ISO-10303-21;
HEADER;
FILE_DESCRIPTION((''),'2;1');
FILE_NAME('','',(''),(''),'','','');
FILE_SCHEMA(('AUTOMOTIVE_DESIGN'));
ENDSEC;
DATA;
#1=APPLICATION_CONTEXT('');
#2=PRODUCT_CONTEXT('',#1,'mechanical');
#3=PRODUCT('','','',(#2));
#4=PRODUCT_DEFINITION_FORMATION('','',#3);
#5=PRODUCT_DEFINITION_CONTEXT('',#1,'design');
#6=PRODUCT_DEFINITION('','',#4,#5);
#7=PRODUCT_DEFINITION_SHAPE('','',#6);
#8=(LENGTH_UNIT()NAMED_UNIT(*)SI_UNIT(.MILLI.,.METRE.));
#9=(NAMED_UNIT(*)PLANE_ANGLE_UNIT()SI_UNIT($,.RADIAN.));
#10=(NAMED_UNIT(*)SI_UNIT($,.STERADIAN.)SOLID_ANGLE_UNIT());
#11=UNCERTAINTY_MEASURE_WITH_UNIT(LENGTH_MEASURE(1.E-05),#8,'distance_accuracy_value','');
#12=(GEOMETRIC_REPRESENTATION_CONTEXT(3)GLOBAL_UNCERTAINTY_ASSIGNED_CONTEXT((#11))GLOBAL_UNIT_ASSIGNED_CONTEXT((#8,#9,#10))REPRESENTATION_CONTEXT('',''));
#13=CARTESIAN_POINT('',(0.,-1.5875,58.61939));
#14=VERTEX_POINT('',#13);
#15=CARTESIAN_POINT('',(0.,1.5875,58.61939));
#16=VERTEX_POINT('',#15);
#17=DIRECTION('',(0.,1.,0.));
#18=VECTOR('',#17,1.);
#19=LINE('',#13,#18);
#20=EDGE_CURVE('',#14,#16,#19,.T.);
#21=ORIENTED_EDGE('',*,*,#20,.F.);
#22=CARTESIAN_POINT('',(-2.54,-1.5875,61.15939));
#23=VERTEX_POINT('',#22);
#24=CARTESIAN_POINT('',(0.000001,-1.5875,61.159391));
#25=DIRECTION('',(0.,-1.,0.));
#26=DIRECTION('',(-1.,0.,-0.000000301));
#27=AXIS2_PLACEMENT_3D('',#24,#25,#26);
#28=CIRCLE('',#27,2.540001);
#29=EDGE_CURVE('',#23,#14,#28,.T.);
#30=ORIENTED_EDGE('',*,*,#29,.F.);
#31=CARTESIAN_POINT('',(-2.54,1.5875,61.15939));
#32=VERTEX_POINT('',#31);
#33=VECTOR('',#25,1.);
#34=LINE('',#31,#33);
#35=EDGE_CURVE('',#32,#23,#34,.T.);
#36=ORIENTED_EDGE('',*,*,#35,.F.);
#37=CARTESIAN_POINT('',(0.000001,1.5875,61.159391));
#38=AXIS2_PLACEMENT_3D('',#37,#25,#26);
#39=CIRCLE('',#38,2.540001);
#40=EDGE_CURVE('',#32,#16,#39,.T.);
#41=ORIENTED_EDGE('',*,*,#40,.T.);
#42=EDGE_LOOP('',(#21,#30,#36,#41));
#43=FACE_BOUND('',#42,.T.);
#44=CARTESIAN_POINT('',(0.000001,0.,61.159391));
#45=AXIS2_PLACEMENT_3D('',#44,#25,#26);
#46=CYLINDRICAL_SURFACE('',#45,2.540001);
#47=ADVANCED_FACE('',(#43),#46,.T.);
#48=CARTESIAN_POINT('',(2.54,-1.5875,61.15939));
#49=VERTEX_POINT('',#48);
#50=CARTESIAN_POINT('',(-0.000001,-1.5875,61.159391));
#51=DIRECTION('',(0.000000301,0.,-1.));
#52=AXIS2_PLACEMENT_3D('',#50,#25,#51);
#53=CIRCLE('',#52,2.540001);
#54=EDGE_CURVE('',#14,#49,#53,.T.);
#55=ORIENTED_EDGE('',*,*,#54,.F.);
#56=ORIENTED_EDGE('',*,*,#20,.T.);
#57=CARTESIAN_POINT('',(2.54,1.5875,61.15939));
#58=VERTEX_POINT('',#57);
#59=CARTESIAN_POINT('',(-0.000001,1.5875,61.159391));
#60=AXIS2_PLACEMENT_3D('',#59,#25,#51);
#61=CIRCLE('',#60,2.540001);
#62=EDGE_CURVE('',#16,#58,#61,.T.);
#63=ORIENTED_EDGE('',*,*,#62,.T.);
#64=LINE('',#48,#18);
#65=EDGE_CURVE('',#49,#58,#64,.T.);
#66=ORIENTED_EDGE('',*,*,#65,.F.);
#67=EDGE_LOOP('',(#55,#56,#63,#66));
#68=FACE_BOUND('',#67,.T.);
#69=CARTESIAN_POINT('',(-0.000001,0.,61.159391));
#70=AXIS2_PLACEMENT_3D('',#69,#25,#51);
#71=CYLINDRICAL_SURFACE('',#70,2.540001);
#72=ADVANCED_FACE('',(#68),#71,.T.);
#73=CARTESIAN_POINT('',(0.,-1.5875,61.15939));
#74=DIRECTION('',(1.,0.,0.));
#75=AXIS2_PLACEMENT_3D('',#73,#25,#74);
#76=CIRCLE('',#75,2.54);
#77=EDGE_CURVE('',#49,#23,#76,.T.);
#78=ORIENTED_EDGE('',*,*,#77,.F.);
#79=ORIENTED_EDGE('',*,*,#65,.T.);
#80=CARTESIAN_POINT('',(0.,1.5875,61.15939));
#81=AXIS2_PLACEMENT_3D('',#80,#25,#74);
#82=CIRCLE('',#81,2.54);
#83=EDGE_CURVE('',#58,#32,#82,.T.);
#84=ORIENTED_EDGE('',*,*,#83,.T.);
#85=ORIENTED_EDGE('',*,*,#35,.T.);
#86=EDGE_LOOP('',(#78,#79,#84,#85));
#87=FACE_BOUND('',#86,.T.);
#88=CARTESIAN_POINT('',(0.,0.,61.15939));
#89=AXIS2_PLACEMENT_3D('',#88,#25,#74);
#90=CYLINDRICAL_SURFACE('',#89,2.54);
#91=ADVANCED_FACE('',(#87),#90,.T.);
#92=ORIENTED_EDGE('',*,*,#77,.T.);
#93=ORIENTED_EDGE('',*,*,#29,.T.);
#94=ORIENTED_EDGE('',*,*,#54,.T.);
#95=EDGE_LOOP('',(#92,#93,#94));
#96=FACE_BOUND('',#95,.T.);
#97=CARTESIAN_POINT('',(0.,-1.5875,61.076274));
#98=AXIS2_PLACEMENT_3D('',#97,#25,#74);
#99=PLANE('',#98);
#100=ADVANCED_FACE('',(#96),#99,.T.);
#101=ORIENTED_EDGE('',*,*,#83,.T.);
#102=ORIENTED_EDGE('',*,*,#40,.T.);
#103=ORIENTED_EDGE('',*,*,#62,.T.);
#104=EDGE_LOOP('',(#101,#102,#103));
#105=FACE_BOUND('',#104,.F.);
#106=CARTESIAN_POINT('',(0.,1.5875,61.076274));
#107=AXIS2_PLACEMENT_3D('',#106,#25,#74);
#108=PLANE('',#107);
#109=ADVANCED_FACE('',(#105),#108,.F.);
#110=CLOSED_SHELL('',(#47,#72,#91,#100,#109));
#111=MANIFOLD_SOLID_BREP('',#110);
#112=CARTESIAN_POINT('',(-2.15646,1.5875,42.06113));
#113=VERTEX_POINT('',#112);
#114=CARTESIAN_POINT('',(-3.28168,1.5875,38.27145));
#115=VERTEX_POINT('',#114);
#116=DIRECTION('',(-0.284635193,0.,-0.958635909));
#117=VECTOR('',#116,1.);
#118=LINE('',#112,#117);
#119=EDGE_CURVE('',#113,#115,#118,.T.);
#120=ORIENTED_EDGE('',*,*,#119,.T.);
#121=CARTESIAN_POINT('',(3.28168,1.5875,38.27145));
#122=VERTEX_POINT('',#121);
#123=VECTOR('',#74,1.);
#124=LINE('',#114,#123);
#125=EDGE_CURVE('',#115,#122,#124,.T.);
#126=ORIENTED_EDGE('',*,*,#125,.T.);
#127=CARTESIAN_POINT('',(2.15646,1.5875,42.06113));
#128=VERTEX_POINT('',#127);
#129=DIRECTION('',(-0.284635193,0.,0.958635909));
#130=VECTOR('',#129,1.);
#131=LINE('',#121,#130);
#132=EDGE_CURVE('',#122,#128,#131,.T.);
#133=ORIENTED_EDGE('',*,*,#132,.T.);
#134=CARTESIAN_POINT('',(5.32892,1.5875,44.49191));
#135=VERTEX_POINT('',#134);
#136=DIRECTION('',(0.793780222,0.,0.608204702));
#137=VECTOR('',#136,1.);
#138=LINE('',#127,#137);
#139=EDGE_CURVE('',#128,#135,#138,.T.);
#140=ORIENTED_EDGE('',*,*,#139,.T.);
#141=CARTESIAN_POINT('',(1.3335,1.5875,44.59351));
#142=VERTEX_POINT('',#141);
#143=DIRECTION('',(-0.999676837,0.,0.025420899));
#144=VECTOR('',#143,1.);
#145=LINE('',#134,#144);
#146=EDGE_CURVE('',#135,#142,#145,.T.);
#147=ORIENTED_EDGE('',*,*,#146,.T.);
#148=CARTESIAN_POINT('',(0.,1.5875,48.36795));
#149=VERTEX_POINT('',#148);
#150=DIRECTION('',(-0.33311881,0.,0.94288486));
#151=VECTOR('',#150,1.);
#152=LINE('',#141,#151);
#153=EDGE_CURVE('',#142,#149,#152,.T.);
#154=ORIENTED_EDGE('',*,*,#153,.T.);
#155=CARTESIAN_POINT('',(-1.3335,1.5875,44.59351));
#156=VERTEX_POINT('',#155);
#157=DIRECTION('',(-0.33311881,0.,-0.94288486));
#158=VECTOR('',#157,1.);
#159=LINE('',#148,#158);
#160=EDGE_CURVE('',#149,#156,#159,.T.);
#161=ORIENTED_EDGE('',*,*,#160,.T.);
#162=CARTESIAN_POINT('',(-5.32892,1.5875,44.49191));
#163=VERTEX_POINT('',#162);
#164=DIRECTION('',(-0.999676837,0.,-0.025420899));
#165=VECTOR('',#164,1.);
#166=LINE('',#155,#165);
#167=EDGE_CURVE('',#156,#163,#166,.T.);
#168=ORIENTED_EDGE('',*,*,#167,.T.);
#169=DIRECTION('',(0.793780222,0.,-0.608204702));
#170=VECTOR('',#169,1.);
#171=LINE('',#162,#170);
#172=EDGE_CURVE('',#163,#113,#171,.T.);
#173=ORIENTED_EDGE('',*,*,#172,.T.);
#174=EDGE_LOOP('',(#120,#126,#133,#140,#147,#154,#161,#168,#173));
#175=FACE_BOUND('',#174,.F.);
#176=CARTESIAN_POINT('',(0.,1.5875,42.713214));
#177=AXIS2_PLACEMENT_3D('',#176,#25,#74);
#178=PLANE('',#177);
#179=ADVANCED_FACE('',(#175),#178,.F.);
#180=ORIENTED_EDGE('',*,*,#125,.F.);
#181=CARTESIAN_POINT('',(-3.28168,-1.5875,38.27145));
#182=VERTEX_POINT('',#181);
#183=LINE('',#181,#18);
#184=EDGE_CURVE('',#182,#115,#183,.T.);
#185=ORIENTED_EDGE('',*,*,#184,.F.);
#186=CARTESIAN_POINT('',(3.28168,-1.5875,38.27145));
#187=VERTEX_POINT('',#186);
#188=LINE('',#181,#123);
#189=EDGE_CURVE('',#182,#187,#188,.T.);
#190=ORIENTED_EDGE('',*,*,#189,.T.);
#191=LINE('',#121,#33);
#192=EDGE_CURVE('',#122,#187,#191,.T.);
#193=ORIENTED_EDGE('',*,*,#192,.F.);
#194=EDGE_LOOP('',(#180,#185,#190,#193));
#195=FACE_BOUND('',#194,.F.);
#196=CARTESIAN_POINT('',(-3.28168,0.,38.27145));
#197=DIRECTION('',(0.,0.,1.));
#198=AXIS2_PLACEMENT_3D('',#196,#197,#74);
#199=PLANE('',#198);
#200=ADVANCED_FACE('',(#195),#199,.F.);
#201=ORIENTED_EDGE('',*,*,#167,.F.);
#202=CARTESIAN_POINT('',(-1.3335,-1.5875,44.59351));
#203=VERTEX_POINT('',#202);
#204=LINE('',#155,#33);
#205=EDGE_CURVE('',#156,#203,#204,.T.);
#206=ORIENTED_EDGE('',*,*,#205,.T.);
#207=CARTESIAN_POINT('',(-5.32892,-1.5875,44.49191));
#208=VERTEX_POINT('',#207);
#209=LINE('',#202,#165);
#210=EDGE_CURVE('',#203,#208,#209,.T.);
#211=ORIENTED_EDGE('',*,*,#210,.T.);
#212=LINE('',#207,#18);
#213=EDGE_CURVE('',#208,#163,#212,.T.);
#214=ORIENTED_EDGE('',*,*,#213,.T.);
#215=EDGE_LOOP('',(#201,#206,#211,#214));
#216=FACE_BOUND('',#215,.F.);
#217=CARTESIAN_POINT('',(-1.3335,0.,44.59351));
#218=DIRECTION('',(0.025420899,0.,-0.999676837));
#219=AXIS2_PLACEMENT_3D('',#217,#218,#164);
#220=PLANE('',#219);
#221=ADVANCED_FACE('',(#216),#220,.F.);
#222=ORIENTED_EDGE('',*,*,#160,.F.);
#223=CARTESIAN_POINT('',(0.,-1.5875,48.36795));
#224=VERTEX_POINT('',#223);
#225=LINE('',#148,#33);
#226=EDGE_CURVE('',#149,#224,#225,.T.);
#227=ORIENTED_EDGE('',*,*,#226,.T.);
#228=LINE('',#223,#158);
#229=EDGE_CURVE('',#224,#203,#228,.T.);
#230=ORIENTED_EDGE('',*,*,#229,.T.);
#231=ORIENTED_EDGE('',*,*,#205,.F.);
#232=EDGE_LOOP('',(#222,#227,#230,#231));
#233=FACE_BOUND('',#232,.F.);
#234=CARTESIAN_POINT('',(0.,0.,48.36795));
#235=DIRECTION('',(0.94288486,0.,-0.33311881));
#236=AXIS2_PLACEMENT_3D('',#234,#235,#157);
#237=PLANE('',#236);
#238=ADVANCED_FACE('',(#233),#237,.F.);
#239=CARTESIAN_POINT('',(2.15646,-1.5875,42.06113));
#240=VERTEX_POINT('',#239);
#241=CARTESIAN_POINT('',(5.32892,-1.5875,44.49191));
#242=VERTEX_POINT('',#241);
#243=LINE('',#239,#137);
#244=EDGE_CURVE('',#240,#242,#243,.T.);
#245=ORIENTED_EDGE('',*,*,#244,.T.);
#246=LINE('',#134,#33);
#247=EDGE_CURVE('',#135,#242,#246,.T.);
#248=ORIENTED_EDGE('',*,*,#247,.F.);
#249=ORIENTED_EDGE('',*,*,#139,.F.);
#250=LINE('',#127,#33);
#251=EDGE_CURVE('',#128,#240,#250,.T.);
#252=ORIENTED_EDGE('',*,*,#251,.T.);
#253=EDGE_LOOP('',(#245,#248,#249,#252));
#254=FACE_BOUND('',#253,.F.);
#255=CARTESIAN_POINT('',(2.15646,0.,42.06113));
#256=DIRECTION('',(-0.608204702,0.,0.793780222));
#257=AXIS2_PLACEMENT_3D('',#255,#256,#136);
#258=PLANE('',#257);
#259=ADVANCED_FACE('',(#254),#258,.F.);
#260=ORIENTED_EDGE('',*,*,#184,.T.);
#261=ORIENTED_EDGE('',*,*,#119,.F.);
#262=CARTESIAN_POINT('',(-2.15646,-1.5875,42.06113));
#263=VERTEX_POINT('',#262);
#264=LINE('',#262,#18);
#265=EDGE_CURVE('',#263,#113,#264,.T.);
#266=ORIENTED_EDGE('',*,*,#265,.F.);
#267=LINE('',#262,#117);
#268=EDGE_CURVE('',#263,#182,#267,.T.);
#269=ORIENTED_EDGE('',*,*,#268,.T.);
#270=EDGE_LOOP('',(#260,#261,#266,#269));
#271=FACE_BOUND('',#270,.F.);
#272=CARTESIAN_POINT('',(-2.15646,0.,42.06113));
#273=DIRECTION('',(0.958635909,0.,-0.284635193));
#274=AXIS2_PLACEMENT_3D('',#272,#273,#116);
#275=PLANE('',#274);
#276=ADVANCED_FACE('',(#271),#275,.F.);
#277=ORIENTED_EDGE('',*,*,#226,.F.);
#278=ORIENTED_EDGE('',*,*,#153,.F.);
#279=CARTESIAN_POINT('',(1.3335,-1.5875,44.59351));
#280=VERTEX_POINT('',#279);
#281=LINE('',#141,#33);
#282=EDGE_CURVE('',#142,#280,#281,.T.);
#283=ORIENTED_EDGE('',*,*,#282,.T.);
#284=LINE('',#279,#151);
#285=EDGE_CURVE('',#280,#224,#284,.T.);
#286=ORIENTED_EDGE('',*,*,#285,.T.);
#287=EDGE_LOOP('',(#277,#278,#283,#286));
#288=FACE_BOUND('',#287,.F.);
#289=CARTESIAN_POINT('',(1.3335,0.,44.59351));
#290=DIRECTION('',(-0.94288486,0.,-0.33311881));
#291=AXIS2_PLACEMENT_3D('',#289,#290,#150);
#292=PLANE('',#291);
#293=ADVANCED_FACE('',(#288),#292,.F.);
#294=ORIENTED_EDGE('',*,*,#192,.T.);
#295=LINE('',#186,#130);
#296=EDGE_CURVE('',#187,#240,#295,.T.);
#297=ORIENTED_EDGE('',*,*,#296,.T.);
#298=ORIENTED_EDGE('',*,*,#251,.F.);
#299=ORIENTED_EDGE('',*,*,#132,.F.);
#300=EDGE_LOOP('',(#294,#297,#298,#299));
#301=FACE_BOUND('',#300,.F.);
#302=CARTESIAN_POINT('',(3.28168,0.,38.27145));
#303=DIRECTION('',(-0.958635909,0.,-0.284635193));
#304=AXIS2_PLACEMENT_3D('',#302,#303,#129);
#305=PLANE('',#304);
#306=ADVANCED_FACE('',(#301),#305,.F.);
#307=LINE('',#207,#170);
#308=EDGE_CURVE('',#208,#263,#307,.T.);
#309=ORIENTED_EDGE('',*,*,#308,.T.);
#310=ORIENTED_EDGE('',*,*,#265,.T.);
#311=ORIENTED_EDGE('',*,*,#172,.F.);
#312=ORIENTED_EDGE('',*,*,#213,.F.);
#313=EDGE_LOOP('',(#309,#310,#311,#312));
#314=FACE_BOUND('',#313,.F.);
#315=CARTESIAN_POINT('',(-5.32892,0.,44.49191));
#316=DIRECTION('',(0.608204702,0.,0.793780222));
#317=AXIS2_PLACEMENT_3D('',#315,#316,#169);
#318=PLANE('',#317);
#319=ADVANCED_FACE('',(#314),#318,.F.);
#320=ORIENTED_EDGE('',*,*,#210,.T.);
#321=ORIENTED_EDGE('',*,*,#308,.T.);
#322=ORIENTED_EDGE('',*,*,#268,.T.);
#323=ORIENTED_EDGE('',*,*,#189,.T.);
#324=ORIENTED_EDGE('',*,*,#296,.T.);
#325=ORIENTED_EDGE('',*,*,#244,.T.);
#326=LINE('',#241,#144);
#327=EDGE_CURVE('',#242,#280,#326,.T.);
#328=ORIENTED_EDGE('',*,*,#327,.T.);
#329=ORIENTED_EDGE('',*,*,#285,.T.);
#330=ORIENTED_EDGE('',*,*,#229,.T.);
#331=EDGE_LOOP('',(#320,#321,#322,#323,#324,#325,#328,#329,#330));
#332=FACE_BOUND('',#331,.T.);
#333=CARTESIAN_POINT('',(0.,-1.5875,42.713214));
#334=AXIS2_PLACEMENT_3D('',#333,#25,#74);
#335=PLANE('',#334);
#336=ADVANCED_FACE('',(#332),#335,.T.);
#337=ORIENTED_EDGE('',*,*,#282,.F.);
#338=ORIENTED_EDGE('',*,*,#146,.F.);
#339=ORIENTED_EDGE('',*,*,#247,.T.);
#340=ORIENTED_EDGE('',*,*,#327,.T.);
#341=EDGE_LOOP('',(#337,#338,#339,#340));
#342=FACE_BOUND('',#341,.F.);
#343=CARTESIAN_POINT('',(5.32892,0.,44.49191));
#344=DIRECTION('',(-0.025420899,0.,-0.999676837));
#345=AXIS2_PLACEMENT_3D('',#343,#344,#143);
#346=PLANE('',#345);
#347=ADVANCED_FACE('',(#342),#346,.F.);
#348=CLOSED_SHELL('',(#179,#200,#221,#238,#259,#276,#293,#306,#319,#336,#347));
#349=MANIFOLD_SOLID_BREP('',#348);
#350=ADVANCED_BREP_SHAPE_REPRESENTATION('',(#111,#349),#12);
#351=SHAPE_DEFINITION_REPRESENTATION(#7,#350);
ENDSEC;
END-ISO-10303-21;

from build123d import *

# Parameters (mm, degrees)
F1_DEPTH = 1.5875


with BuildPart() as f1:
    # F0 (on Front) → F1 (new body, symmetric)
    with BuildSketch(Plane.XZ):
        Polygon((-3.28168, 38.27145), (-0.10668, 38.27145), (3.28168, 38.27145), (2.15646, 42.06113), (5.32892, 44.49191), (1.3335, 44.59351), (0, 48.36795), (-1.3335, 44.59351), (-5.32892, 44.49191), (-2.15646, 42.06113), align=None)
        with BuildLine():
            ThreePointArc((2.54, 61.15939), (0, 63.69939), (-2.54, 61.15939))
            ThreePointArc((-2.54, 61.15939), (-1.796051, 59.363339), (0, 58.61939))
            ThreePointArc((0, 58.61939), (1.796051, 59.363339), (2.54, 61.15939))
        make_face()
    extrude(amount=F1_DEPTH, both=True)


solid = f1.part
